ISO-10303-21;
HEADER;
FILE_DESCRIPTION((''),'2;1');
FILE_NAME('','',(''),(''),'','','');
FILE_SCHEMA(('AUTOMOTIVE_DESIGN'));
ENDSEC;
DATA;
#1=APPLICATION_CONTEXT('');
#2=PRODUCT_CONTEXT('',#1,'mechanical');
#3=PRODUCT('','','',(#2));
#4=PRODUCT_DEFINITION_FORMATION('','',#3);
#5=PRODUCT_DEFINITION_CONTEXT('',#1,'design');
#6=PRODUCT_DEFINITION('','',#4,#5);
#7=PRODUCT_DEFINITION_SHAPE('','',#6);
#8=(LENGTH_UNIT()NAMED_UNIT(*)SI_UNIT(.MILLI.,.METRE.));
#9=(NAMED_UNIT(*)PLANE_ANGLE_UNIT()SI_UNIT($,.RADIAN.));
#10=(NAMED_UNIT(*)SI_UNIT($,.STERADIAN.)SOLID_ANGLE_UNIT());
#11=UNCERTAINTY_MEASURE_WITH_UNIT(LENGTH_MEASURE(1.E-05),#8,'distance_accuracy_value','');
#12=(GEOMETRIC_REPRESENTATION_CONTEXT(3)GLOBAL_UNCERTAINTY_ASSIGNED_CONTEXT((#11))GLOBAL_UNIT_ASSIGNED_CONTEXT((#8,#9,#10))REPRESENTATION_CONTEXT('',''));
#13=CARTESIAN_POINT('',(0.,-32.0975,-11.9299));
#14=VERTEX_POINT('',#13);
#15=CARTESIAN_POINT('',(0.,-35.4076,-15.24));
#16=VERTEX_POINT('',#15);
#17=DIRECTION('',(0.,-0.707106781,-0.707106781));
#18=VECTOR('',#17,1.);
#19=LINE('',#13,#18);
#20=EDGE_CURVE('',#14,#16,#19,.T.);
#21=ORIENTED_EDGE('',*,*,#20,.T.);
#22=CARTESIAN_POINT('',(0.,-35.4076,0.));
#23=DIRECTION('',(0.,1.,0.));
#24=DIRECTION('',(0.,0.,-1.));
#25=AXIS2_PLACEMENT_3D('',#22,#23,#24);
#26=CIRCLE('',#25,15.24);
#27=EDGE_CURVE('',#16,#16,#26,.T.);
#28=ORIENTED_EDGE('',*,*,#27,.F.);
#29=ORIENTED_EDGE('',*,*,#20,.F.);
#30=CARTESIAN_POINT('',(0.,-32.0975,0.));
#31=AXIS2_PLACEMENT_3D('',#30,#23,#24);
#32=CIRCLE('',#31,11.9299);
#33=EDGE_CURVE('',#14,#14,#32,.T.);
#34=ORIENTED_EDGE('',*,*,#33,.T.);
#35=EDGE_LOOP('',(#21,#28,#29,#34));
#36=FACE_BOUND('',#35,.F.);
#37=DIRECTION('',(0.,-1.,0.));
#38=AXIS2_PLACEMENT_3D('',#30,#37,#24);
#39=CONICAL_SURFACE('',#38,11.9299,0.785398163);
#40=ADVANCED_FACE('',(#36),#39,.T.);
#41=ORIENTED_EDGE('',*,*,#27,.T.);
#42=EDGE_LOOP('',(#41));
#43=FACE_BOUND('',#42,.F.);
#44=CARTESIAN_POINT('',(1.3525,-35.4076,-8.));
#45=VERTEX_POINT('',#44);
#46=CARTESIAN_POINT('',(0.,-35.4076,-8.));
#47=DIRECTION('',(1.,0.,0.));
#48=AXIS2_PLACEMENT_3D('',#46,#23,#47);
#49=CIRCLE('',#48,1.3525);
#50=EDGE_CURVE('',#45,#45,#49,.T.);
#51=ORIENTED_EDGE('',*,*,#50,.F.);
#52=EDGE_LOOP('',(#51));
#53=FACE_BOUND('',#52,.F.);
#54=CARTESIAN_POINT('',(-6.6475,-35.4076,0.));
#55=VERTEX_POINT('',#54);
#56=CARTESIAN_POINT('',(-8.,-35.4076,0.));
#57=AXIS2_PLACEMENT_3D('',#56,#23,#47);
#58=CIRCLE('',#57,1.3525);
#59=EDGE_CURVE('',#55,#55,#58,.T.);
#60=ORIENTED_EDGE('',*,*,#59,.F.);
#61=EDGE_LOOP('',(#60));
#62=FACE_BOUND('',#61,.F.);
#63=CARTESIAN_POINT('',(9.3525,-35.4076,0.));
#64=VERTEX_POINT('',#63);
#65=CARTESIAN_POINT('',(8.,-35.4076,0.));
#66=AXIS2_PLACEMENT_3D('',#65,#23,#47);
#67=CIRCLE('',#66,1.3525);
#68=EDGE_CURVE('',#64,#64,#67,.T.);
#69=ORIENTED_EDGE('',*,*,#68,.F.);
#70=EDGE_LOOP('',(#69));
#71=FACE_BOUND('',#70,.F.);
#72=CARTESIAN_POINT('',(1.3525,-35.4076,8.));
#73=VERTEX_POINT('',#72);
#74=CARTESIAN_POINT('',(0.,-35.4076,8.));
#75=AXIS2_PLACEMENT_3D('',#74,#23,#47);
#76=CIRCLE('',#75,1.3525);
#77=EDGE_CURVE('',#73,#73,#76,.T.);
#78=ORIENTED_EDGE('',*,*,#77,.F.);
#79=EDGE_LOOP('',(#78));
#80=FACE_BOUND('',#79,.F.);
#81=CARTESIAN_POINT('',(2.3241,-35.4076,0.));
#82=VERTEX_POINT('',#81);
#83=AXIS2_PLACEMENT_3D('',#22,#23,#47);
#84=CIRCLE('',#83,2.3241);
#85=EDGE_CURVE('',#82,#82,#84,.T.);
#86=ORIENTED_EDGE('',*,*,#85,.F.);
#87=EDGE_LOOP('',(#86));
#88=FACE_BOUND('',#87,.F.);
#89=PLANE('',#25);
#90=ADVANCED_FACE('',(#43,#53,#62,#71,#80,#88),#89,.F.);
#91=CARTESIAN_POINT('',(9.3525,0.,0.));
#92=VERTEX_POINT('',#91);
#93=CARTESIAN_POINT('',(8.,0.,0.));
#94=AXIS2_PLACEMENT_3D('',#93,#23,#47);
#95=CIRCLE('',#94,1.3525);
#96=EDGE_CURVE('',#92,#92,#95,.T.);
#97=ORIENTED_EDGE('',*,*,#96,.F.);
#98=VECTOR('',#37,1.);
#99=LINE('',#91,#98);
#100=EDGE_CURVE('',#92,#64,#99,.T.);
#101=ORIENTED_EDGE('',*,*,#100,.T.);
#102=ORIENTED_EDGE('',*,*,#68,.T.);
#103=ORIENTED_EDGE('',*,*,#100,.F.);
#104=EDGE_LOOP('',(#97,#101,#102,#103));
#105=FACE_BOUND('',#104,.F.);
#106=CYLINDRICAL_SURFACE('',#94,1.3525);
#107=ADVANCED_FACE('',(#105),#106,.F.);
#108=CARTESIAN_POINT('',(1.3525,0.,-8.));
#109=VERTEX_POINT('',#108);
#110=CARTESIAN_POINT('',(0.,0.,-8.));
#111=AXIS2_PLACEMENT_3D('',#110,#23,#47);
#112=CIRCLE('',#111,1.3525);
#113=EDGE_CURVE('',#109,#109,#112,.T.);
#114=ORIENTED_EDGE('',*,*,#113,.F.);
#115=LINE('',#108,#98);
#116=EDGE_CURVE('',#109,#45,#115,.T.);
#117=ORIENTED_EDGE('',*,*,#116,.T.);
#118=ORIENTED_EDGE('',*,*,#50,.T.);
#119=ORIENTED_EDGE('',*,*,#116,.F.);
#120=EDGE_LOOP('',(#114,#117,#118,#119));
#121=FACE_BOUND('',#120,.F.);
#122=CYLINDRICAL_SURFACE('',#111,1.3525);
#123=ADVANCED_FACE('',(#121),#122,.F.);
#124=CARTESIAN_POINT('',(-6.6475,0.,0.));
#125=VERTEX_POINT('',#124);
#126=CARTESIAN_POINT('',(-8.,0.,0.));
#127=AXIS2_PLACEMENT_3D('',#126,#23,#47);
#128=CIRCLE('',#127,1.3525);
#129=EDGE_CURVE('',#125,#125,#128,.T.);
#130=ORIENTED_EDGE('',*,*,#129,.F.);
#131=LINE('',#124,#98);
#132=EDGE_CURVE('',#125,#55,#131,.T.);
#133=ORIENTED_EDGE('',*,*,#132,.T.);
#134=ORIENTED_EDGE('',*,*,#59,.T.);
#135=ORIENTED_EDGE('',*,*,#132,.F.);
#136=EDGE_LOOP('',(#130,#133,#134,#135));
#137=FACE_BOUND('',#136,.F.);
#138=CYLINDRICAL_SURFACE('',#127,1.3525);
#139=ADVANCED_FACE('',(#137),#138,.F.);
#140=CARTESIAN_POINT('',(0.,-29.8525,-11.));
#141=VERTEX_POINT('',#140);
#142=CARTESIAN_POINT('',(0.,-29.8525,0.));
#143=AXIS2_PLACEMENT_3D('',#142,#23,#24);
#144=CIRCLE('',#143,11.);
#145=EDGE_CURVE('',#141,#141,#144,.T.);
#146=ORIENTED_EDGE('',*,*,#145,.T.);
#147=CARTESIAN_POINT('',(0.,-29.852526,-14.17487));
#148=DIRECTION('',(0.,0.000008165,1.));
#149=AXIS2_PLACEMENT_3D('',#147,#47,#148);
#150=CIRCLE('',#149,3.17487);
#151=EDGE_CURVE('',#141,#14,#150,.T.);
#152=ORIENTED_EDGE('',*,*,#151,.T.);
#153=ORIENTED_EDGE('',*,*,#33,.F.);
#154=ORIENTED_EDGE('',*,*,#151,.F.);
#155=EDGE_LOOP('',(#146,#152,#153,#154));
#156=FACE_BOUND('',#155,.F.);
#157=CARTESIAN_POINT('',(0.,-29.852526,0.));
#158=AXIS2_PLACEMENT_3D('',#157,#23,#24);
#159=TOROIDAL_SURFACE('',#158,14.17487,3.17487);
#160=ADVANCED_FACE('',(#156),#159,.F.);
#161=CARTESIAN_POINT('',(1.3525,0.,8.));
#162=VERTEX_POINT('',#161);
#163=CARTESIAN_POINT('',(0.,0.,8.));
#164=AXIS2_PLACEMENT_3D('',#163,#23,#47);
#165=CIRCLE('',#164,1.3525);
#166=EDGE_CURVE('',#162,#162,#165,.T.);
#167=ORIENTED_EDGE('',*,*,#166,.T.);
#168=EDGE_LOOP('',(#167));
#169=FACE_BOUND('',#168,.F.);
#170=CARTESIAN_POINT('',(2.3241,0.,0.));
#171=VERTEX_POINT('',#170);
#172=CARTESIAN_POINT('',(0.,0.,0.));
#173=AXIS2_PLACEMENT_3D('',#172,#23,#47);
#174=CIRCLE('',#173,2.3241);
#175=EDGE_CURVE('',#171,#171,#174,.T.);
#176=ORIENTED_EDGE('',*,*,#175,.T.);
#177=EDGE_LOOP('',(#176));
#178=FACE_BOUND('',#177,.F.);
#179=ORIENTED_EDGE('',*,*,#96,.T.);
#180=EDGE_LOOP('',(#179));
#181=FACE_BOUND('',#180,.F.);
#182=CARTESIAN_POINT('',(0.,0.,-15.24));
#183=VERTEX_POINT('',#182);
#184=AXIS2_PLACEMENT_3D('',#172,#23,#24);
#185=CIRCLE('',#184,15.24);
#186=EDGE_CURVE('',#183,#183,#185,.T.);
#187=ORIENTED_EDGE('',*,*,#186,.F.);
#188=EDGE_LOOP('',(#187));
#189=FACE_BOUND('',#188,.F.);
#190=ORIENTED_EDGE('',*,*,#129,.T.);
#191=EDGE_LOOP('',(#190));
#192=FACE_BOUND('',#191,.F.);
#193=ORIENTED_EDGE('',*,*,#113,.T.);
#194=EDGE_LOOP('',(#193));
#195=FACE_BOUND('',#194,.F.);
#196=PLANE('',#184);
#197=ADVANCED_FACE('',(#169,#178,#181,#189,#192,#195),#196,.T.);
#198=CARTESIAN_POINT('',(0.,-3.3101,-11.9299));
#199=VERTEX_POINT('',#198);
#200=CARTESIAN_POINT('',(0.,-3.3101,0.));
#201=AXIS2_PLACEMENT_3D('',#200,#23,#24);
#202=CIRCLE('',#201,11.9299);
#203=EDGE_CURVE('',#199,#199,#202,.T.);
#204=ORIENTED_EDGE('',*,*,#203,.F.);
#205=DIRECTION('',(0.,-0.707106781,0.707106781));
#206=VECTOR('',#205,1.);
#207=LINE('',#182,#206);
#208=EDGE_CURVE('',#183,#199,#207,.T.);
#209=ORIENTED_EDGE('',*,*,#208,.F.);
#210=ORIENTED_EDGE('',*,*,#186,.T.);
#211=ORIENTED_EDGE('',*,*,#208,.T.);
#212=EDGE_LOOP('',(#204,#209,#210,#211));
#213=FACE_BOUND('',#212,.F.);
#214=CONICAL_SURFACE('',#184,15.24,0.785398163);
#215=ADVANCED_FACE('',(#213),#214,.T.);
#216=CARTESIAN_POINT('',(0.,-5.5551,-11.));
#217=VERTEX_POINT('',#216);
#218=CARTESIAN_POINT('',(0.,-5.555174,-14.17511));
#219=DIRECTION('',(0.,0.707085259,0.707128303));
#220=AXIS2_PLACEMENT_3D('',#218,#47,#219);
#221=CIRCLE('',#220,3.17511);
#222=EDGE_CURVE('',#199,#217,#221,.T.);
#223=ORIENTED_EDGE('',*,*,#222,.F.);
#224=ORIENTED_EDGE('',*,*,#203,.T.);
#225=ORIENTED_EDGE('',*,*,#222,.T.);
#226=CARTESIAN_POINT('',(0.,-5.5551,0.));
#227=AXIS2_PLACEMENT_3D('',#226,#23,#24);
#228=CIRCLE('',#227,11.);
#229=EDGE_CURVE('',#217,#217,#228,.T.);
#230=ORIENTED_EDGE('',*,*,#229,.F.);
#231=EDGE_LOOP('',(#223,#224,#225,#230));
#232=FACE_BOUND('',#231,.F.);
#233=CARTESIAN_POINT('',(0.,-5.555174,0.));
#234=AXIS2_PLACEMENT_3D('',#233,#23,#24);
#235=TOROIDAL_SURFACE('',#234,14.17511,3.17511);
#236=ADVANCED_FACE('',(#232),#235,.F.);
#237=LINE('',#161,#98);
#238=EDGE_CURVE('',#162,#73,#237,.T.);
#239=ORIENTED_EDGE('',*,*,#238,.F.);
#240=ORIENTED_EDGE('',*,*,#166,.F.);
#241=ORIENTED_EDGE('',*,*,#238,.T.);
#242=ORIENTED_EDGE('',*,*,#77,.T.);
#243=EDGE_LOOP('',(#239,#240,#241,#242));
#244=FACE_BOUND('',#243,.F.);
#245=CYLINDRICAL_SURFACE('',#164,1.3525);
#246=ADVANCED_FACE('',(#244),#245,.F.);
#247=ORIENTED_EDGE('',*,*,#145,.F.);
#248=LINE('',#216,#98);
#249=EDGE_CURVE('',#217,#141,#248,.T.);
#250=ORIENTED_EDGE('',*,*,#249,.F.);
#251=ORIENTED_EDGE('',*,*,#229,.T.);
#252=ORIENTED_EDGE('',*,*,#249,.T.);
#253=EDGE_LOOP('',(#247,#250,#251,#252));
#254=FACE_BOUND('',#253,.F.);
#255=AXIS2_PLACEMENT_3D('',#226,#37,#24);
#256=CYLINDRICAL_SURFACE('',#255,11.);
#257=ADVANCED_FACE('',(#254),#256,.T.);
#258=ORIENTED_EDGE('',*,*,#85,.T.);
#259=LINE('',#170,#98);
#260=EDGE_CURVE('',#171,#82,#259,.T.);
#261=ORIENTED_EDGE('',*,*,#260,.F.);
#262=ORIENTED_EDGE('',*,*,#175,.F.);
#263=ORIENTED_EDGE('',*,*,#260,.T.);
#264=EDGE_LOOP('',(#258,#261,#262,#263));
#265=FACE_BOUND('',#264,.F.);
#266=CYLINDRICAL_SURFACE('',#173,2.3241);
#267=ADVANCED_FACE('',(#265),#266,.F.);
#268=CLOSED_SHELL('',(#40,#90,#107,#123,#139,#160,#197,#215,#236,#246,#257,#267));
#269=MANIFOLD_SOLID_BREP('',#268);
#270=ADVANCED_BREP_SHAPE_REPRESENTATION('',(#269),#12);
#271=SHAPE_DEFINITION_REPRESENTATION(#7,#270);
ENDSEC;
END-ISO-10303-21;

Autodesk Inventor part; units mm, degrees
ref_plane "YZ Plane" through (0, 0, 0) normal (1, 0, 0) x (0, 1, 0)
ref_plane "XZ Plane" through (0, 0, 0) normal (0, 1, 0) x (-1, 0, 0)
ref_plane "XY Plane" through (0, 0, 0) normal (0, 0, 1) x (1, 0, 0)
sketch "Sketch2" plane through (0, 0, 0) normal (1, 0, 0) x (0, 1, 0)
  line L0 (0, 0) -> (0, -15.24)
  line L1 (0, -15.24) -> (-3.3101, -11.9299)
  line L2 (-5.5551, -11) -> (-29.8525, -11)
  line L3 (-32.0975, -11.9299) -> (-35.4076, -15.24)
  line L4 (-35.4076, -15.24) -> (-35.4076, 0)
  line L5 (-35.4076, 0) -> (0, 0)
  line L6 (-31.1676, -11) -> (-35.4076, -11) construction
  line L7 (-4.24, -11) -> (0, -11) construction
  arc A0 (-3.3101, -11.9299) -> (-5.5551, -11) centre (-5.5551, -14.175) ccw
  arc A1 (-29.8525, -11) -> (-32.0975, -11.9299) centre (-29.8525, -14.175) ccw
  dimension "d1" = 15.24
  dimension "d2" = 45
  dimension "d3" = 35.4076
  dimension "d5" = 3.175
  dimension "d6" = 11
revolve "Revolution1" add sketch "Sketch2" angle 360 about axis through (0, -35.4076, 0) along (0, 1, 0)
sketch "Sketch3" plane through (0, 0, 0) normal (0, 1, 0) x (1, 0, 0)
  circle A0 centre (0, 0) radius 2.3241
  circle A1 centre (-8, 0) radius 1.3525
  circle A2 centre (0, 8) radius 1.3525
  circle A3 centre (8, 0) radius 1.3525
  circle A4 centre (0, -8) radius 1.3525
  point P0 (0, 0)
  point P1 (0, 0)
  dimension "d9" = 2.705
  dimension "d10" = 4.6482
extrude "Extrusion1" cut sketch "Sketch3" against normal through all
properties part number "drum"
